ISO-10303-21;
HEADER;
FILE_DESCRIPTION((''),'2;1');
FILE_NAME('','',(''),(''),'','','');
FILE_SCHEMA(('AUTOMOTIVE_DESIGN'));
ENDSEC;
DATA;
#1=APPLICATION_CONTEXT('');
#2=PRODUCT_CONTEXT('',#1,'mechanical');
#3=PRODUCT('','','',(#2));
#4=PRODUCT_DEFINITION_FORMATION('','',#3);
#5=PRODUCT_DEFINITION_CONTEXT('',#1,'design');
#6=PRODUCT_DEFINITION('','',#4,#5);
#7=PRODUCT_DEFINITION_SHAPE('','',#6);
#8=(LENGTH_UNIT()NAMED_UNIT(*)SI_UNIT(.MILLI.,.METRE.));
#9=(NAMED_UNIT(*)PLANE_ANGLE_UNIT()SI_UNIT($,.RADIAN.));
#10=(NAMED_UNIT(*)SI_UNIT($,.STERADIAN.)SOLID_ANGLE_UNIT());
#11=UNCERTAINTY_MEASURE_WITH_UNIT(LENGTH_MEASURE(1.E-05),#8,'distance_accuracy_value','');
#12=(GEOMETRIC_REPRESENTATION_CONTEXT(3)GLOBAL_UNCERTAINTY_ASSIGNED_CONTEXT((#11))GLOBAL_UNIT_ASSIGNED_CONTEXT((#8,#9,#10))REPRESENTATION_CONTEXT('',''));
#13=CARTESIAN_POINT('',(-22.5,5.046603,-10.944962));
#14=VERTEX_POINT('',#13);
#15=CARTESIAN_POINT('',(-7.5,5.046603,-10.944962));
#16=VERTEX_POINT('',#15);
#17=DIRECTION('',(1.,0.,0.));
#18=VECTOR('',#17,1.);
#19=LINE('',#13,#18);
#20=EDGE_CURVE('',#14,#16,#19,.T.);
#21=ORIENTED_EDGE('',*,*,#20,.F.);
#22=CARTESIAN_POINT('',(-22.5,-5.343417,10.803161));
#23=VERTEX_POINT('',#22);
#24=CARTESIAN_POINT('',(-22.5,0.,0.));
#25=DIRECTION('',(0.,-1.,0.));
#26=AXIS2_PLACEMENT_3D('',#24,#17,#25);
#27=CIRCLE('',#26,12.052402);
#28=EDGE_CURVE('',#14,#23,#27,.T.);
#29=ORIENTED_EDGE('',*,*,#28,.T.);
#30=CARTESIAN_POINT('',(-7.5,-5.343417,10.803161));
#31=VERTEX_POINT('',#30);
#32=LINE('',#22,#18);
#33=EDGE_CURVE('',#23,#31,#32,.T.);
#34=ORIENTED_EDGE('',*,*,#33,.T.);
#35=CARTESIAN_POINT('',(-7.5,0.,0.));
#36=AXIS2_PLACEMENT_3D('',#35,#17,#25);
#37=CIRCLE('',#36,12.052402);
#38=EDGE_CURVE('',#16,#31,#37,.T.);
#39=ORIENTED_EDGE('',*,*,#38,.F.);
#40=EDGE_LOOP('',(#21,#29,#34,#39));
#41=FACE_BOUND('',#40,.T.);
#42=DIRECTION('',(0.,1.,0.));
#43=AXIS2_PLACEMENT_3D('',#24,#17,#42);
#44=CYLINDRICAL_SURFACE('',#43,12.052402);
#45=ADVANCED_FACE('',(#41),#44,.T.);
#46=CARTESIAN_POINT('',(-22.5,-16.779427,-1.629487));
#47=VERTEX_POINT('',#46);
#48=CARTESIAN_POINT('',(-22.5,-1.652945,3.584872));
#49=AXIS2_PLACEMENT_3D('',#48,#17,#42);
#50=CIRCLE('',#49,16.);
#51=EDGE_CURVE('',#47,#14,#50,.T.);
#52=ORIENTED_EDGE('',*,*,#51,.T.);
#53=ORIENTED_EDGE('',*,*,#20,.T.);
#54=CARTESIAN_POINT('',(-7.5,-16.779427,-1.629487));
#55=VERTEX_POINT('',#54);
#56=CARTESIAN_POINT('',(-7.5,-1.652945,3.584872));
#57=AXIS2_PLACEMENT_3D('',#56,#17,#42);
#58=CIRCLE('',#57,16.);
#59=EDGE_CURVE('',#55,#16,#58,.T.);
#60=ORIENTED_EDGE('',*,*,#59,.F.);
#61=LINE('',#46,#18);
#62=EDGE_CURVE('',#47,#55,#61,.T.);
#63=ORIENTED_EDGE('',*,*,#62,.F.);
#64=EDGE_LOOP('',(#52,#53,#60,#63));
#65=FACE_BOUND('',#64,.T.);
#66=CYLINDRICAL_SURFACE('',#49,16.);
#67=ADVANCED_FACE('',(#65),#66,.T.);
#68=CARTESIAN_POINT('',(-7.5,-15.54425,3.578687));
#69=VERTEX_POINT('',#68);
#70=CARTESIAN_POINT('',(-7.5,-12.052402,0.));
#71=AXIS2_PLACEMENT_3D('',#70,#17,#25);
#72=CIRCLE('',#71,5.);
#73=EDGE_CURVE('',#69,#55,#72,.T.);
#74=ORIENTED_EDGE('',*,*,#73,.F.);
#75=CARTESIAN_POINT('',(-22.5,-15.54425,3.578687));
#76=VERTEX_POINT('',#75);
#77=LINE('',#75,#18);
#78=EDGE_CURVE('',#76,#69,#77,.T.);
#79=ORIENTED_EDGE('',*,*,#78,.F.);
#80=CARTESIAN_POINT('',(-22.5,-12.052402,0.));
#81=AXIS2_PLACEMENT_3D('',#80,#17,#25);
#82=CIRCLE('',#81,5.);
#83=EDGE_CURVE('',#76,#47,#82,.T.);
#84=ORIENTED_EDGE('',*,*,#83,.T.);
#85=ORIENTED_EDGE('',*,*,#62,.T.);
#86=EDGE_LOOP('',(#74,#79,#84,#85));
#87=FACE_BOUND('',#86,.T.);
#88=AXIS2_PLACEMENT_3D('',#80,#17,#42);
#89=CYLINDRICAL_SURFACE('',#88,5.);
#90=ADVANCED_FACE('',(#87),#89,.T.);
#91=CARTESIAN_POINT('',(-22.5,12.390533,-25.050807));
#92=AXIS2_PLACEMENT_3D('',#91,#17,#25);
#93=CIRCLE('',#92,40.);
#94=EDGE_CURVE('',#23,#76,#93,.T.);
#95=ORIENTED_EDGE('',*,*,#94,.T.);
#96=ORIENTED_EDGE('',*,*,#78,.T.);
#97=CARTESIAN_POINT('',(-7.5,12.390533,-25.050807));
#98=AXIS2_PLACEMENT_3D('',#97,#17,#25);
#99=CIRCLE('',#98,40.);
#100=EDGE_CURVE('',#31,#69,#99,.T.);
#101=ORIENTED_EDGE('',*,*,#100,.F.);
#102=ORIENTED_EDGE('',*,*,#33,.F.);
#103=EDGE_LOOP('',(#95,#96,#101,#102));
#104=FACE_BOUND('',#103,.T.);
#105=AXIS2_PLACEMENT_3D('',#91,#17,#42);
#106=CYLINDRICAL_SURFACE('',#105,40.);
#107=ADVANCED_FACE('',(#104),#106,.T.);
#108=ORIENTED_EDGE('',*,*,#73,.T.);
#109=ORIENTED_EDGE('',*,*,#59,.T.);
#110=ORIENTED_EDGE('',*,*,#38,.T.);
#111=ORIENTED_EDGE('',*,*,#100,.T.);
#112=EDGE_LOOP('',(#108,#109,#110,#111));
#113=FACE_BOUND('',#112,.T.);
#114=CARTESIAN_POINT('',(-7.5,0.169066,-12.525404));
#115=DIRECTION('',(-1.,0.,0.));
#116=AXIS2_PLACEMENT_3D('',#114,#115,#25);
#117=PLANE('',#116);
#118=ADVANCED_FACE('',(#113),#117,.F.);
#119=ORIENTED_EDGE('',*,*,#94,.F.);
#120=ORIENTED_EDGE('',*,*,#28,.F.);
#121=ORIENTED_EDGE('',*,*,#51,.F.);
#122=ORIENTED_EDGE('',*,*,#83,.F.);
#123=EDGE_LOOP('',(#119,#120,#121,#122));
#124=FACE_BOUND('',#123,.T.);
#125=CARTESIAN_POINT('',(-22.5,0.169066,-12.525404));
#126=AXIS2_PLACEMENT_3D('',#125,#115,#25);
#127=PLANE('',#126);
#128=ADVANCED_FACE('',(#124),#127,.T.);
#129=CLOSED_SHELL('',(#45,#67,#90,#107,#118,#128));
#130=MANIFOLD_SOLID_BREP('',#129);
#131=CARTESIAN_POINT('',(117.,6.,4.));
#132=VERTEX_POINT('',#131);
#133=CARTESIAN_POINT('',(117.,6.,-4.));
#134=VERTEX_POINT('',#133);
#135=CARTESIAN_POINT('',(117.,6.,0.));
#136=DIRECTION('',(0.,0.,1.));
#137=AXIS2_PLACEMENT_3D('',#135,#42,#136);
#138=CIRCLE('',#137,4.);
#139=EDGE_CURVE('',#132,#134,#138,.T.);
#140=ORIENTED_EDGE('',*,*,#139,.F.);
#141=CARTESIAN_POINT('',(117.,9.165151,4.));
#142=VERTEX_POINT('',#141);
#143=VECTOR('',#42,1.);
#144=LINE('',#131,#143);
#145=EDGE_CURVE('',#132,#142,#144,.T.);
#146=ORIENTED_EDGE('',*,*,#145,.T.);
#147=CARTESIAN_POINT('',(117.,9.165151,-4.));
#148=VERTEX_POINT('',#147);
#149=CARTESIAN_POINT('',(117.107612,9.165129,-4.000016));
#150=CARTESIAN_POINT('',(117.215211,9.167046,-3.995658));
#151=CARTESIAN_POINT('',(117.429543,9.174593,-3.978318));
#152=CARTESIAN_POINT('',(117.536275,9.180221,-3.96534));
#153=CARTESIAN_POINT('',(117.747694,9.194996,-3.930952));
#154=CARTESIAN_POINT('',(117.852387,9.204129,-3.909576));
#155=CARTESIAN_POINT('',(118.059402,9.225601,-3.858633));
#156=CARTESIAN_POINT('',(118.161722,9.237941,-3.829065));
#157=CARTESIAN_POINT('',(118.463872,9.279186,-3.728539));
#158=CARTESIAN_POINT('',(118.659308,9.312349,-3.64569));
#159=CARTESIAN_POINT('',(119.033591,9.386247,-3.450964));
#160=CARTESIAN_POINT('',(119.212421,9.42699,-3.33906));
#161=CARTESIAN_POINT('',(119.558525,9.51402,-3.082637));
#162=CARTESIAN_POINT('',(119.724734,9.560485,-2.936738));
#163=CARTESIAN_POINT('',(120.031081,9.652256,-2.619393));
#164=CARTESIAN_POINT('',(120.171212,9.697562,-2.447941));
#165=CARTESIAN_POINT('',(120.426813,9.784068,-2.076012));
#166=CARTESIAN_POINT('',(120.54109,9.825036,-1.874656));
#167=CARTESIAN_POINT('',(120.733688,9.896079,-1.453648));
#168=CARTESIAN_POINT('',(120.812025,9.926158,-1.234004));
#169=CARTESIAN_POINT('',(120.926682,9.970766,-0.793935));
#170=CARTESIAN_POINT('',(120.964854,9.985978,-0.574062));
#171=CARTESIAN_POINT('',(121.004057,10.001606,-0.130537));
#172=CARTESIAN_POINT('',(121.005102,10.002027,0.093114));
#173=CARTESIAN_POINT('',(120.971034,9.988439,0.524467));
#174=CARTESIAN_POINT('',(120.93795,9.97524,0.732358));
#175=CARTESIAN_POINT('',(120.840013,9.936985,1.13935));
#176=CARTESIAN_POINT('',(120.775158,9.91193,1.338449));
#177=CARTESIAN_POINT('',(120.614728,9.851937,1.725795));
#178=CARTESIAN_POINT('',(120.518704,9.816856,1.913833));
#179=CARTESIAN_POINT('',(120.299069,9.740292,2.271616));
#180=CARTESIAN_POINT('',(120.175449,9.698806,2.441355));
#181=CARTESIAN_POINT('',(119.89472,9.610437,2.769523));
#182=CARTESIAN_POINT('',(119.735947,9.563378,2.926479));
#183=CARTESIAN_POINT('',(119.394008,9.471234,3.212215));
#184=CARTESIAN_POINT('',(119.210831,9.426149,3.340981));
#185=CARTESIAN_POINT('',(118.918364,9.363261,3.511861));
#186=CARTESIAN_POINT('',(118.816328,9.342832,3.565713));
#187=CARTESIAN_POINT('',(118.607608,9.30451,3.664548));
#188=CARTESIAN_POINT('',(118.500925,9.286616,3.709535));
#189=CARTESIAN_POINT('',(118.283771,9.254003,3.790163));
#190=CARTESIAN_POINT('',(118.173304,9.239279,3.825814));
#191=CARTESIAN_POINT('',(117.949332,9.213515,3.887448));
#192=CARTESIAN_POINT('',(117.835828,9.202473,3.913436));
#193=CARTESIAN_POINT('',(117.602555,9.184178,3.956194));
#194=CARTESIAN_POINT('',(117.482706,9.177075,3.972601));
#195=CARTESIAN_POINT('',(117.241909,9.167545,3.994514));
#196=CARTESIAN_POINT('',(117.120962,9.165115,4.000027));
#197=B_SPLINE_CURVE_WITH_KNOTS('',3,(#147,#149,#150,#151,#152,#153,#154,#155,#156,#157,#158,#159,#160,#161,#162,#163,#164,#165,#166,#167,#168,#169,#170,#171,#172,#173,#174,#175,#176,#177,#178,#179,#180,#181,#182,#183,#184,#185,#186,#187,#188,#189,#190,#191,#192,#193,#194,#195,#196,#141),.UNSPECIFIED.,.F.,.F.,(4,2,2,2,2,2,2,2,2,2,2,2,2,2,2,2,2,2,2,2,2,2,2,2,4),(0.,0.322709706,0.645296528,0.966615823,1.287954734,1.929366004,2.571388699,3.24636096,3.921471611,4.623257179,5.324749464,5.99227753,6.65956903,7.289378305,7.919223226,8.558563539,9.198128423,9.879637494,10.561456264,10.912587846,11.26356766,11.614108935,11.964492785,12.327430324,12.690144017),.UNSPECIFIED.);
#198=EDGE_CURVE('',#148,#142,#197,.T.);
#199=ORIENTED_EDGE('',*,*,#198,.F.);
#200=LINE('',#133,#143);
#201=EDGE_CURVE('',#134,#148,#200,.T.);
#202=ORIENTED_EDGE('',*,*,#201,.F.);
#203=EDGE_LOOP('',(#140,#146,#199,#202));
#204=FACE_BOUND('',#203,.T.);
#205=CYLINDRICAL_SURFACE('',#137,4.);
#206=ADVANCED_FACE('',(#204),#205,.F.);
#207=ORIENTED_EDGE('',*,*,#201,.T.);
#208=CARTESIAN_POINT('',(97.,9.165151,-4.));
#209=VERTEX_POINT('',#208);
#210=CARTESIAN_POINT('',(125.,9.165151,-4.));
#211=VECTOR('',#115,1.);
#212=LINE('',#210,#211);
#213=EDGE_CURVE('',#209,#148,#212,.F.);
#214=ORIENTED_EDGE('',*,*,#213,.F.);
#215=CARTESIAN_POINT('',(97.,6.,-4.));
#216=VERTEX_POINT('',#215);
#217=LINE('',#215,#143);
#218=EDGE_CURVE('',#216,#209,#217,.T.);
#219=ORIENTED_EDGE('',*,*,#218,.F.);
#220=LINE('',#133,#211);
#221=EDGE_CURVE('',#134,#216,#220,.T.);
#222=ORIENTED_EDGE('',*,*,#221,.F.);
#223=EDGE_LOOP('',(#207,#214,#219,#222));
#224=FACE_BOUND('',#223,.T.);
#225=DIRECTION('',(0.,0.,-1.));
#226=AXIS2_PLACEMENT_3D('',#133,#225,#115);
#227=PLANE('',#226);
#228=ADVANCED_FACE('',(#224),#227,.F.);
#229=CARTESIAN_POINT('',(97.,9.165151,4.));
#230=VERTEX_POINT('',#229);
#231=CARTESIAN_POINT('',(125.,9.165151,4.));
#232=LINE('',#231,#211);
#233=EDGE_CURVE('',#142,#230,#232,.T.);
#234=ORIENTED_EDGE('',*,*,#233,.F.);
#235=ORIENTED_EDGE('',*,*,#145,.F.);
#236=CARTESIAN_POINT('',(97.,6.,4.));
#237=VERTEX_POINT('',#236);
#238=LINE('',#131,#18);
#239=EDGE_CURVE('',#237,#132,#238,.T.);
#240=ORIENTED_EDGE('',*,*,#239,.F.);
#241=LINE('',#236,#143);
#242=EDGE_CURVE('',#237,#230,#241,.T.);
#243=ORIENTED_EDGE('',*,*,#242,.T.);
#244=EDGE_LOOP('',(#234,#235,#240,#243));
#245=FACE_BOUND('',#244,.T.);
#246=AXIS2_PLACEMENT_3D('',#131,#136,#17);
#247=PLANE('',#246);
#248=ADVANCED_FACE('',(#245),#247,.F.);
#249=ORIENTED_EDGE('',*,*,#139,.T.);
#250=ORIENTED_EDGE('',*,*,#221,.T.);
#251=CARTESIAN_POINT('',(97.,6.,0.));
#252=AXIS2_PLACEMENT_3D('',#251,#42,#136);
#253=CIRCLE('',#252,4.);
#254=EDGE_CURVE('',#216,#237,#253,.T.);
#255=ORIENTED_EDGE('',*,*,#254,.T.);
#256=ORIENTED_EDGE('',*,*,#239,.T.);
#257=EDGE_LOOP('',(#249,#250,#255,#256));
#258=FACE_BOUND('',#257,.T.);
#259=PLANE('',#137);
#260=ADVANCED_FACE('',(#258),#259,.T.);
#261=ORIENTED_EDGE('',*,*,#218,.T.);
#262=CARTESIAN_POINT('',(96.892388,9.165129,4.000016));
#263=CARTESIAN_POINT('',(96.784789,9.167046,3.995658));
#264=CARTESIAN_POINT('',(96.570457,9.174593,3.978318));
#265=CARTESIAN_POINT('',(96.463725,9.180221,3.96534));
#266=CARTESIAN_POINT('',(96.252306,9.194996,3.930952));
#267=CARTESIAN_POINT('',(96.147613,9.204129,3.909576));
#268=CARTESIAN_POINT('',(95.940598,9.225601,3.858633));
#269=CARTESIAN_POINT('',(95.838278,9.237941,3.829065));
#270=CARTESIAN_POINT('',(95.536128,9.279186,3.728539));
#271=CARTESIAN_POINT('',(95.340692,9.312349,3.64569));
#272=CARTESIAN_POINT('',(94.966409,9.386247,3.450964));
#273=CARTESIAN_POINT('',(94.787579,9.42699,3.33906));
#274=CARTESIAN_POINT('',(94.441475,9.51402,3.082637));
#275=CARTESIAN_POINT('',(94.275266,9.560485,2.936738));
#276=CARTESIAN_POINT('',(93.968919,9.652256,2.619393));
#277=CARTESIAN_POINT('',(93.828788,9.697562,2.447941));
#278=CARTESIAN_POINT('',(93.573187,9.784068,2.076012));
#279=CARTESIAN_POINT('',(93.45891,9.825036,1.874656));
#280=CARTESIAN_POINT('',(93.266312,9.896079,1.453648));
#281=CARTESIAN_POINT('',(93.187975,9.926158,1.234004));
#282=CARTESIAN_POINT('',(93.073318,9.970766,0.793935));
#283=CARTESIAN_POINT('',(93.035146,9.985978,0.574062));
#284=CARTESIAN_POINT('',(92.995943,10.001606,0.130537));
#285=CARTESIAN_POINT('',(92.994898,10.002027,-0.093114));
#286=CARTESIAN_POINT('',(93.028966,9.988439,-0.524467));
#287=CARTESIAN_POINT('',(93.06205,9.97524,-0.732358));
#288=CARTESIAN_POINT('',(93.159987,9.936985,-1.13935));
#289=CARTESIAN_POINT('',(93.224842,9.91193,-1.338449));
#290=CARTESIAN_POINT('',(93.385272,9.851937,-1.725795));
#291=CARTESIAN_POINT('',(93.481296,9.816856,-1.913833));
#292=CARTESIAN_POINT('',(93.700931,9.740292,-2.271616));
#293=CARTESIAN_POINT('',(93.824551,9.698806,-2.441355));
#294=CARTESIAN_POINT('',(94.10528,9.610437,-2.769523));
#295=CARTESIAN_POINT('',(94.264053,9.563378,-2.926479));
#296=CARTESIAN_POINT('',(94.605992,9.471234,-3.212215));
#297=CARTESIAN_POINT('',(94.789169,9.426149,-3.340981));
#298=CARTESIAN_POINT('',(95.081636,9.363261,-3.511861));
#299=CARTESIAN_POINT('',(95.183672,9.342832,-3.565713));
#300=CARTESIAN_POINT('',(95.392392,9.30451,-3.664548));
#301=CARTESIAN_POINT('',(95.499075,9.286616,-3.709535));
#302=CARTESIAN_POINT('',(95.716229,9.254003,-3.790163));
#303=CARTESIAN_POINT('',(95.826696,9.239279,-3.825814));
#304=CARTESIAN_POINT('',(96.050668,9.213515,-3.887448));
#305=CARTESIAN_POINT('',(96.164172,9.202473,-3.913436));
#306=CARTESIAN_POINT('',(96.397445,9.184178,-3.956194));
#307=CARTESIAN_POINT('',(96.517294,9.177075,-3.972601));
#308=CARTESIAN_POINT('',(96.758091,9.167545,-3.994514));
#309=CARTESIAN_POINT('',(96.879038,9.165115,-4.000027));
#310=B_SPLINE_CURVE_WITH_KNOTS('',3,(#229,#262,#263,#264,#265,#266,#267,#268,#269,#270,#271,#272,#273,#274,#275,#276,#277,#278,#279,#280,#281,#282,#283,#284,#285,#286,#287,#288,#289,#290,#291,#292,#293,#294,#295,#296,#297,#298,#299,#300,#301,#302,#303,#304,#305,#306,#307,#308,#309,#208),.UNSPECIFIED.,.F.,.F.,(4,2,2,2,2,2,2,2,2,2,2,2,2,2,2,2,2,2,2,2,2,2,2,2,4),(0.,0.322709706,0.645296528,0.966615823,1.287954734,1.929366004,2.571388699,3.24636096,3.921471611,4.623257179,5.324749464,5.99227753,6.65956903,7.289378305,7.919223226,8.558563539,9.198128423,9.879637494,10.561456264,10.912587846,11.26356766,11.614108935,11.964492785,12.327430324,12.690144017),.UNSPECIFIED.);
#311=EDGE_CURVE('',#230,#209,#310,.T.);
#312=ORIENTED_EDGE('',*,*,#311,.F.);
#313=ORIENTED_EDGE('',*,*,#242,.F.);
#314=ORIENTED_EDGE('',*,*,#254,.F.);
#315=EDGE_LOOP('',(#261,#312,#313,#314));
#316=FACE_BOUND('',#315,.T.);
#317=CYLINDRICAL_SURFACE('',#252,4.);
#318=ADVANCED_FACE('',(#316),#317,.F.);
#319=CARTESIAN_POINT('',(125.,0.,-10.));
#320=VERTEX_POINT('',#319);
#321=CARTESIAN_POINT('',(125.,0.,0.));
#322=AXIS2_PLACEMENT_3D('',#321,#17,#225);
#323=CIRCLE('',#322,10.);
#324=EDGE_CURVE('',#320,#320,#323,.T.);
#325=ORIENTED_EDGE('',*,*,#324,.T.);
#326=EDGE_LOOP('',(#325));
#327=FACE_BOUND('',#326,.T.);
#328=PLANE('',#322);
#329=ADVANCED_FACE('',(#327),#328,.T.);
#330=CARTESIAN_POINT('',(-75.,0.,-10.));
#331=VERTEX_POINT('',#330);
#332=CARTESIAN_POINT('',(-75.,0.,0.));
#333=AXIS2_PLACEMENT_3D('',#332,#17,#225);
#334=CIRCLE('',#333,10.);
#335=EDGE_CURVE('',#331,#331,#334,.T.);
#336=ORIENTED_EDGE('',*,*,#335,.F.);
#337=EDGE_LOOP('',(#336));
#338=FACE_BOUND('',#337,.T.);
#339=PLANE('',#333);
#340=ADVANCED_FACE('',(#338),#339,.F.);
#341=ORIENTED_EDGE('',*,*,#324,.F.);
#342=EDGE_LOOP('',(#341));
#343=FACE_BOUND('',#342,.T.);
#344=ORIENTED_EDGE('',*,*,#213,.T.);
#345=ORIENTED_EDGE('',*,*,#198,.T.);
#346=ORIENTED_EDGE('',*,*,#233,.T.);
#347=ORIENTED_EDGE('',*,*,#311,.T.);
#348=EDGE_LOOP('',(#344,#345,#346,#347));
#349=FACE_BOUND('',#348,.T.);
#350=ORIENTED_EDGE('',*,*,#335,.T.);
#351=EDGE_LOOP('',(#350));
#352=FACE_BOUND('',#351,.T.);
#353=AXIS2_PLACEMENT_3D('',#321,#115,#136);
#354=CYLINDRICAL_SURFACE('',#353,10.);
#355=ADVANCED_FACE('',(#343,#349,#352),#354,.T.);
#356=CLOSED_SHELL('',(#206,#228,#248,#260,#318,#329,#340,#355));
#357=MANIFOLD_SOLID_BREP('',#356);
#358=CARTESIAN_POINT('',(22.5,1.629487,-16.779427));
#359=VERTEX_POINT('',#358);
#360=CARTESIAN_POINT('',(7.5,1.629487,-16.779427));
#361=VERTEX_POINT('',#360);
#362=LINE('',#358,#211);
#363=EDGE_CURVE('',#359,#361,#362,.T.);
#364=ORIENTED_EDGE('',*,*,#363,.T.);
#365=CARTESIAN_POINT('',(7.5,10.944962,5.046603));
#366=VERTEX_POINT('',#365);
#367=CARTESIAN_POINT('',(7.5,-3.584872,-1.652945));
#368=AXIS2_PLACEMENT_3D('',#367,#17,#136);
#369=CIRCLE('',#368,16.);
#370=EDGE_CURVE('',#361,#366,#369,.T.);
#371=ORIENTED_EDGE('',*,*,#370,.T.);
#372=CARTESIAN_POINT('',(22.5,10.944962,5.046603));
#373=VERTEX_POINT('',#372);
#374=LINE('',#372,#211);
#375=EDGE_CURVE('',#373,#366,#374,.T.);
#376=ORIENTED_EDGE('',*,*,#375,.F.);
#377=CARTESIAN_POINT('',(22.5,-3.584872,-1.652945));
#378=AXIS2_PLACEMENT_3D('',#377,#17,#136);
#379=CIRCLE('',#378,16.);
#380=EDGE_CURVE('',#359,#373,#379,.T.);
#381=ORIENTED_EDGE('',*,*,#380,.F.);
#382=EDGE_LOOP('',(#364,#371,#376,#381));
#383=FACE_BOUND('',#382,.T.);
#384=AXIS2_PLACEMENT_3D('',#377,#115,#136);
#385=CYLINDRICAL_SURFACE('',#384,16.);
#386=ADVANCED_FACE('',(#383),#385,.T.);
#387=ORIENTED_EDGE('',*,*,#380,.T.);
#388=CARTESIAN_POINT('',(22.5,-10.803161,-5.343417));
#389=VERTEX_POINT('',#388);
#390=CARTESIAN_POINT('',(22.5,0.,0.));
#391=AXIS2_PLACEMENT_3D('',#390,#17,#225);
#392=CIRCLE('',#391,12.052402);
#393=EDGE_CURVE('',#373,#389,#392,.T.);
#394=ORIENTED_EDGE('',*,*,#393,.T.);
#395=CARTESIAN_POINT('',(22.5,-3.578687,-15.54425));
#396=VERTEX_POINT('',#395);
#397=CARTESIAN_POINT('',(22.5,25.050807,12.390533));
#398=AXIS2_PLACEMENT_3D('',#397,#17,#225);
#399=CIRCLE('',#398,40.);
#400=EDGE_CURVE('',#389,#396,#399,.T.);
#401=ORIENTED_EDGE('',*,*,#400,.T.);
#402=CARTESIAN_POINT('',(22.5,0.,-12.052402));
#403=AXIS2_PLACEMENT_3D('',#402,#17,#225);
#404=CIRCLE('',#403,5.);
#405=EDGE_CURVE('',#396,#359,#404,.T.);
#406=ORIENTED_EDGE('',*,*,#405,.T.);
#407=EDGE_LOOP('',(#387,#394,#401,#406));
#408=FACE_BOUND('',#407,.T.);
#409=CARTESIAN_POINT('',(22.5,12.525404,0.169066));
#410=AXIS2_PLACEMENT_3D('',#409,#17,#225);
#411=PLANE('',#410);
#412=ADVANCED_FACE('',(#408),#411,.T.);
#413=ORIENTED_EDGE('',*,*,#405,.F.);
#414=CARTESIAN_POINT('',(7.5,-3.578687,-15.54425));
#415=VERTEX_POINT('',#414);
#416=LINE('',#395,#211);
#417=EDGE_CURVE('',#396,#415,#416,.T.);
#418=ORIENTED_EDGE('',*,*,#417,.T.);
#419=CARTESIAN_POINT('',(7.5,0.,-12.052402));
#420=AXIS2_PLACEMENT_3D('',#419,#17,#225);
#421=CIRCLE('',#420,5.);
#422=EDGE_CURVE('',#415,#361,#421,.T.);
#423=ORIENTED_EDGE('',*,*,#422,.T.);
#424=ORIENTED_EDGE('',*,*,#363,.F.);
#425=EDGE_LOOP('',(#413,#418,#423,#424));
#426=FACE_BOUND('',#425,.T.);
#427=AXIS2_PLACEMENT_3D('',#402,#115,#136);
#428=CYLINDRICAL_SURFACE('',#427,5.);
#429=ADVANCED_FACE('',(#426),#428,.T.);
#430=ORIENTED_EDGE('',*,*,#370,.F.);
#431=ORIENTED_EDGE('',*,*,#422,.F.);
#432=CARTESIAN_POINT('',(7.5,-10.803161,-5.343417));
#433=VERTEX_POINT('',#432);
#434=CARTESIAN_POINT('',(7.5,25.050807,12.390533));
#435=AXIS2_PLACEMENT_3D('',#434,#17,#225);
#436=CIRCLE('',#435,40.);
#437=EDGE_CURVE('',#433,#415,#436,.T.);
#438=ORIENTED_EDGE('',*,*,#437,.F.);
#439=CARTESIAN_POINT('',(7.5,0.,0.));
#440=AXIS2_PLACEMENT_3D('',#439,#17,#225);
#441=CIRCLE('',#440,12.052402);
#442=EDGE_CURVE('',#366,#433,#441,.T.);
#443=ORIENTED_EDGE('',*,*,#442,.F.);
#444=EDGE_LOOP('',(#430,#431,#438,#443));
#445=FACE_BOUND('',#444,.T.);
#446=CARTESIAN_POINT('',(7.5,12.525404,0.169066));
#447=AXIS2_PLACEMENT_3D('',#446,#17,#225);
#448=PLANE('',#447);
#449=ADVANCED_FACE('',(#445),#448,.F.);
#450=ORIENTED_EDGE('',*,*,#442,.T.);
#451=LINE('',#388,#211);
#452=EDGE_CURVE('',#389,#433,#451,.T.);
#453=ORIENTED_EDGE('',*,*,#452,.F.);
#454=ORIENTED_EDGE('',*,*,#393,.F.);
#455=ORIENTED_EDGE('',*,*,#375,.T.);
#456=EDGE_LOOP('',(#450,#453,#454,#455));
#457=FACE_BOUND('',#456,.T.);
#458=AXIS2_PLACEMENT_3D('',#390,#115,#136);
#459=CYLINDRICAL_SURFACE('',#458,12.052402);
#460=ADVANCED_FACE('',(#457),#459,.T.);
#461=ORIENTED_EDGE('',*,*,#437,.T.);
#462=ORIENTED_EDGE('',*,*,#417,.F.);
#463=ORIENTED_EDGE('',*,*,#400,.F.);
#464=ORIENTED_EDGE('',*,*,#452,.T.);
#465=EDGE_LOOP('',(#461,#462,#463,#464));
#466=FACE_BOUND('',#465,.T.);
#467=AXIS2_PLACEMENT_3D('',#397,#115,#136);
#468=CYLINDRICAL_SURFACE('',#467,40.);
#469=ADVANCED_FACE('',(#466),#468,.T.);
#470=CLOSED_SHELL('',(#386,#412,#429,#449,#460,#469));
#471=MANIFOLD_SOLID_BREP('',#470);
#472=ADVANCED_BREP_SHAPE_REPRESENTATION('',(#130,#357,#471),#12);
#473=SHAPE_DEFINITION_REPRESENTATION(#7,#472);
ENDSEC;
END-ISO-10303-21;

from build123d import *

# Parameters (mm, degrees)
BOSS_EXTRUDE1_DEPTH      = 125
BOSS_EXTRUDE1_DEPTH_BACK = 75
SKETCH1_R                = 10
BOSS_EXTRUDE2_START      = 15
BOSS_EXTRUDE2_DEPTH      = 7.5
BODY_MOVE_COPY1_ANGLE    = 90
CUT_EXTRUDE1_DEPTH       = 4


with BuildPart() as part:
    # Sketch1 → Boss-Extrude1 (new, two sides: drawn at the far end of the back side and taken through both)
    with BuildSketch(Plane(origin=(0, 0, 0), x_dir=(0, 0, -1), z_dir=(1, 0, 0)).offset(-BOSS_EXTRUDE1_DEPTH_BACK)):
        Circle(SKETCH1_R)
    extrude(amount=BOSS_EXTRUDE1_DEPTH + BOSS_EXTRUDE1_DEPTH_BACK)

    # Sketch3 → Cut-Extrude1 (cut)
    with BuildSketch(Plane(origin=(0, 10, 0), x_dir=(1, 0, 0), z_dir=(0, 1, 0))):
        with BuildLine():
            Line((117, -4), (97, -4))
            ThreePointArc((97, -4), (93, 0), (97, 4))
            Line((97, 4), (117, 4))
            ThreePointArc((117, 4), (121, 0), (117, -4))
        make_face()
    extrude(amount=-CUT_EXTRUDE1_DEPTH, mode=Mode.SUBTRACT)


with BuildPart() as body_2:
    # Sketch2 → Boss-Extrude2 (new, symmetric)
    with BuildSketch(Plane(origin=(0, 0, 0), x_dir=(0, 0, -1), z_dir=(1, 0, 0)).offset(BOSS_EXTRUDE2_START)):
        with BuildLine():
            ThreePointArc((-5.046602678, 10.944961822), (-10.875073876, -5.195493822), (5.343417372, -10.803160586))
            ThreePointArc((5.343417372, -10.803160586), (10.727783283, -7.591855887), (15.544249573, -3.578686737))
            ThreePointArc((15.544249573, -3.578686737), (16.91745458, -1.15380281), (16.779427438, 1.62948707))
            ThreePointArc((16.779427438, 1.62948707), (7.933695414, 11.130840359), (-5.046602678, 10.944961822))
        make_face()
    extrude(amount=BOSS_EXTRUDE2_DEPTH, both=True)


with BuildPart() as body_3:
    # Mirror1: mirrored copy
    add(body_2.part.mirror(Plane(origin=(0, 0, 0), x_dir=(0, 0, 1), z_dir=(1, 0, 0))))


with BuildPart() as body_3_1:
    # Body-Move/Copy1: moved
    add(body_3.part.rotate(Axis((0, 0, 0), (-1, 0, 0)), BODY_MOVE_COPY1_ANGLE))


solid = Compound([part.part, body_2.part, body_3_1.part])
